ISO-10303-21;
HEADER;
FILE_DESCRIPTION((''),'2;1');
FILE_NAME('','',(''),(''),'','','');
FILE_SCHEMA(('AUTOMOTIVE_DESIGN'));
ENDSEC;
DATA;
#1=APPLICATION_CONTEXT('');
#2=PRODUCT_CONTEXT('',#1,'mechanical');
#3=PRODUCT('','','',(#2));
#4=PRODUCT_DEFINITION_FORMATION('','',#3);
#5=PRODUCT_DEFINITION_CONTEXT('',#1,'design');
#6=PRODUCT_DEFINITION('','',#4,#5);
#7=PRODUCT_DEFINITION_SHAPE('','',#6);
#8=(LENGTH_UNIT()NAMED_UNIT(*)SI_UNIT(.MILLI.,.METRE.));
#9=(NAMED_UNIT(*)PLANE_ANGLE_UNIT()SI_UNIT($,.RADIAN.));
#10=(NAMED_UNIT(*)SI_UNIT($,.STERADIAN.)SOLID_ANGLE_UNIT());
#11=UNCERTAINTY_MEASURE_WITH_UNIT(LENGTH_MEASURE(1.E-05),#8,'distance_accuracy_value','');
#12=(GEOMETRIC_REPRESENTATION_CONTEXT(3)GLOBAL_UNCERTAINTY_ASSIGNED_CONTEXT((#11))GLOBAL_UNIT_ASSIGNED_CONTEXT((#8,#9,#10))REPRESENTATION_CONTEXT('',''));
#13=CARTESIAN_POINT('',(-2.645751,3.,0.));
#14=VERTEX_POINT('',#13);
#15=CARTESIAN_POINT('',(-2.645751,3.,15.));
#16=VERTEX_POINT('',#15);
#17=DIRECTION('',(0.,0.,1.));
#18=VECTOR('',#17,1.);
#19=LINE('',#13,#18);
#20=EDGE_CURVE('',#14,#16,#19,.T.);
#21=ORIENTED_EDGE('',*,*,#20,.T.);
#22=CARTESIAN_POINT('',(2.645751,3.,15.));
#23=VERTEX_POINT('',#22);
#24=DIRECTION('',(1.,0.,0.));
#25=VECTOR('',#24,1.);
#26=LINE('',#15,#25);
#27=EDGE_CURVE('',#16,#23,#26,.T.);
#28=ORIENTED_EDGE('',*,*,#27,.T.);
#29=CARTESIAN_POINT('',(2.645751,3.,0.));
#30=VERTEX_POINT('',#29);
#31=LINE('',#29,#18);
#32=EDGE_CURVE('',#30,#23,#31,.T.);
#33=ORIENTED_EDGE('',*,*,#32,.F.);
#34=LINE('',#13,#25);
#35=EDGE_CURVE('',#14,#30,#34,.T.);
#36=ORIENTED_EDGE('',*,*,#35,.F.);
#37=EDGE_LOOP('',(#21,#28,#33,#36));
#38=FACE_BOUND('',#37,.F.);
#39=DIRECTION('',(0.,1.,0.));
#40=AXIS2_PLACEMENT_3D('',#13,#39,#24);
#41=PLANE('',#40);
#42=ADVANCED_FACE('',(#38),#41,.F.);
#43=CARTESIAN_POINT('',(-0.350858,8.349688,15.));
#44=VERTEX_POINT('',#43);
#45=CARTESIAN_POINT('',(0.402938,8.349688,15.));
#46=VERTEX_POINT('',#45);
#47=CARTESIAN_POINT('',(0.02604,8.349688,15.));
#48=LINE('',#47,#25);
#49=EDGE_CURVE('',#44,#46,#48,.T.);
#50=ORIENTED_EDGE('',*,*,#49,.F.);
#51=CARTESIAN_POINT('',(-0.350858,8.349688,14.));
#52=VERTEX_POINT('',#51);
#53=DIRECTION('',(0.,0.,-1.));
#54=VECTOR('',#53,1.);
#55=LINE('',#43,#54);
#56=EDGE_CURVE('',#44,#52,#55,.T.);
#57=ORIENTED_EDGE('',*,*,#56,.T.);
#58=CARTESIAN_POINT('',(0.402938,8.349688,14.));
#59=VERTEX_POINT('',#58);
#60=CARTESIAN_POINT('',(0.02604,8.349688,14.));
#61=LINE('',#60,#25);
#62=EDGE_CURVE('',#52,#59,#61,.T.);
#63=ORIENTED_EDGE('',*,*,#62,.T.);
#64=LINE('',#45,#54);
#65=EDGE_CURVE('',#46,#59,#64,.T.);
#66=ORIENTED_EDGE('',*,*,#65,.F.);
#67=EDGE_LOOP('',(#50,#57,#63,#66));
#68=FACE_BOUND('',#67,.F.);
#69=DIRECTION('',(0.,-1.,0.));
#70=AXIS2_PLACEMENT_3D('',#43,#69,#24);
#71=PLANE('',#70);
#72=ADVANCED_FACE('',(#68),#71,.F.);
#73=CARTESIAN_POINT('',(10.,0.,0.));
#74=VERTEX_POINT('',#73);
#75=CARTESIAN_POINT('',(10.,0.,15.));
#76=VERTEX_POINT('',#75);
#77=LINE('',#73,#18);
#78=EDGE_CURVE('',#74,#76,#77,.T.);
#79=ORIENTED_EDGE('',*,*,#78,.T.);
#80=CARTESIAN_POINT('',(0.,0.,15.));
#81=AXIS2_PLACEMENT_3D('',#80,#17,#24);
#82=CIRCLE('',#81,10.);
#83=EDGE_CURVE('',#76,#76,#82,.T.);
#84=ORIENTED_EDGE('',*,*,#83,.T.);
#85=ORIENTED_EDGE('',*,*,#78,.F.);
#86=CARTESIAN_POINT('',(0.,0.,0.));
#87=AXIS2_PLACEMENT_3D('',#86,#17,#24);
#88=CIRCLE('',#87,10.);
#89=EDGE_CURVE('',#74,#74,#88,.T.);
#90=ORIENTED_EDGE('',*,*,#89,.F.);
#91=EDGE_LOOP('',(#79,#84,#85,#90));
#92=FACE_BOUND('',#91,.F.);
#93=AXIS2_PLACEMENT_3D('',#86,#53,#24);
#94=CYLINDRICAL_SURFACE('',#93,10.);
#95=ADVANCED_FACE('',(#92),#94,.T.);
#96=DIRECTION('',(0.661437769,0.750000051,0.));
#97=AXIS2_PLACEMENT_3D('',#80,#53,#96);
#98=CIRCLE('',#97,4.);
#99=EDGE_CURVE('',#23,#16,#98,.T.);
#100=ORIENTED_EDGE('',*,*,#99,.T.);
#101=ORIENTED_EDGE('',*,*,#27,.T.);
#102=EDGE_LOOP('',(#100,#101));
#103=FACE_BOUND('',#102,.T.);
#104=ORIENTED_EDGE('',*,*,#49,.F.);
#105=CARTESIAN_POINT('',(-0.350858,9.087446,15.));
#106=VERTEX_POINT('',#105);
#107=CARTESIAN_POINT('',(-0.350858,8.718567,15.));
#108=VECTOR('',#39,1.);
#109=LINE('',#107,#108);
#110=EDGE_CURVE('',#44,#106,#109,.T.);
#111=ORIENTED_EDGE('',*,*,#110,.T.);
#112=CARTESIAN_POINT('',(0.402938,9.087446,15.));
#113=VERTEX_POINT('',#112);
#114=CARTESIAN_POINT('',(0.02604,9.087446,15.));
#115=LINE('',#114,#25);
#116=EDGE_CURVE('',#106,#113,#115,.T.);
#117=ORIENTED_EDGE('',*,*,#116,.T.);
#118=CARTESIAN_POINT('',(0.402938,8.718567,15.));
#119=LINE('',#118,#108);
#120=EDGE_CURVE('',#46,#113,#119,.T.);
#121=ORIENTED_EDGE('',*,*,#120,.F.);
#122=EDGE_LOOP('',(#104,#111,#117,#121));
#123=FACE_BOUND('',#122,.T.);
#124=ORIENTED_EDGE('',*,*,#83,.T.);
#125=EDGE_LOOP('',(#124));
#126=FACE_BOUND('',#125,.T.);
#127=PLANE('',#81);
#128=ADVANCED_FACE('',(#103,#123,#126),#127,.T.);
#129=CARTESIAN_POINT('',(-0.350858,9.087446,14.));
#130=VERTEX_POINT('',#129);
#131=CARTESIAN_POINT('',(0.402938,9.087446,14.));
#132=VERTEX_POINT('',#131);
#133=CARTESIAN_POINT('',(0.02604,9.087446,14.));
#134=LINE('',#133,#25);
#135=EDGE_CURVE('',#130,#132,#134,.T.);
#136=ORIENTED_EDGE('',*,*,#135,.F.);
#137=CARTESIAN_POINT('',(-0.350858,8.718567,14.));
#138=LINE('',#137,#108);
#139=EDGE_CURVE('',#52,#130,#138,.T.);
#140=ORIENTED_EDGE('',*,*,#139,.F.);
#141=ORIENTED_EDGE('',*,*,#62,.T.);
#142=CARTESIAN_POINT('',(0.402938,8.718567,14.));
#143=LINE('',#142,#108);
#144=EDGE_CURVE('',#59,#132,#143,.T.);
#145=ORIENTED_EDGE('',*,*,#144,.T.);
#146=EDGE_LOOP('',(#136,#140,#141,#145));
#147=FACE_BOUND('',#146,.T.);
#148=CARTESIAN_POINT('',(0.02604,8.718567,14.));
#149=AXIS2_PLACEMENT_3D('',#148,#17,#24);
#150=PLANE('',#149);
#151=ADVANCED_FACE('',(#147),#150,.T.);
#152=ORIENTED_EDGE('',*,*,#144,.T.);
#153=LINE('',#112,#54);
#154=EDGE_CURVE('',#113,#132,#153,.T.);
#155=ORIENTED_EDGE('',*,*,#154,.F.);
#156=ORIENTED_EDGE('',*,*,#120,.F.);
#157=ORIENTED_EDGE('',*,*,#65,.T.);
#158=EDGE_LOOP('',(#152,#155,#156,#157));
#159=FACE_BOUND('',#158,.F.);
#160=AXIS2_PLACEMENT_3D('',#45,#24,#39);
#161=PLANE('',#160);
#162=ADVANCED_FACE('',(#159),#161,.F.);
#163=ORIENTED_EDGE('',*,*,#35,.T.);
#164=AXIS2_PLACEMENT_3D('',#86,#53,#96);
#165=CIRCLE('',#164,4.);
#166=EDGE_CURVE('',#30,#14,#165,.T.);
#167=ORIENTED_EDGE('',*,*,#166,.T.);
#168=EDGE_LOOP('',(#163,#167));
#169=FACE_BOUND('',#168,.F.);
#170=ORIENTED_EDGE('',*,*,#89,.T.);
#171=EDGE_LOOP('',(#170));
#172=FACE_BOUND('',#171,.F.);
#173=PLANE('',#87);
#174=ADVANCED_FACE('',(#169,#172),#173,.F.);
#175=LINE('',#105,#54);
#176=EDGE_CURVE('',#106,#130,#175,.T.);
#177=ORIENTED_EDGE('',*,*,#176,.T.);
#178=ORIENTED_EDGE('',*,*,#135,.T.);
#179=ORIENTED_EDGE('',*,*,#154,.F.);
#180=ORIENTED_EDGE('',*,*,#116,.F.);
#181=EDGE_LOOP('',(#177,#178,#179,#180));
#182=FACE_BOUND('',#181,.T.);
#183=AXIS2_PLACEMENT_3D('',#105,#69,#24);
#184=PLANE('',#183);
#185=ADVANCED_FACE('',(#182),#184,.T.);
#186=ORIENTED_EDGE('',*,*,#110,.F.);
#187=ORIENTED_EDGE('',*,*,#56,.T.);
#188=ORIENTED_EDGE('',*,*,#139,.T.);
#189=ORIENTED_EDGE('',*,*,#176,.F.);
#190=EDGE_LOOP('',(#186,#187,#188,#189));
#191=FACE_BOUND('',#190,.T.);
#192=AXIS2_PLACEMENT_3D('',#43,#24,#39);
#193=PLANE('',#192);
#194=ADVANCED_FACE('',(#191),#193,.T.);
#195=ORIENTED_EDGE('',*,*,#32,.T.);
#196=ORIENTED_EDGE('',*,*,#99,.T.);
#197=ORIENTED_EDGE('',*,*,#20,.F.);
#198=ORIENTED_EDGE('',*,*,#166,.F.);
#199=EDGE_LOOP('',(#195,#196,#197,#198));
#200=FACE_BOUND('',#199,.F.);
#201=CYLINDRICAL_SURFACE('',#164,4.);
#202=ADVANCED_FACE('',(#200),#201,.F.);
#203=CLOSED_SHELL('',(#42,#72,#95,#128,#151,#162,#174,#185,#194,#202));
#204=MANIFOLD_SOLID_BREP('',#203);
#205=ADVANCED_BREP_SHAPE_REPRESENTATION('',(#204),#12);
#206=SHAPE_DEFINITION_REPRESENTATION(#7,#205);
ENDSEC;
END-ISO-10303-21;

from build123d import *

# Parameters (mm, degrees)
F0_R     = 10
F1_DEPTH = 15
F2_W     = 0.753796
F2_H     = 0.737758
F3_DEPTH = 1


with BuildPart() as f1:
    # F0 (on Top) → F1 (new body)
    with BuildSketch(Plane.XY):
        Circle(F0_R)
        with BuildLine():
            ThreePointArc((2.645751, 3), (0, -4), (-2.645751, 3))
            Line((-2.645751, 3), (2.645751, 3))
        make_face(mode=Mode.SUBTRACT)
    extrude(amount=F1_DEPTH)

    # F2 (on face) → F3 (cut)
    with BuildSketch(Plane.XY.offset(15)):
        with Locations((0.02604, 8.718567)):
            Rectangle(F2_W, F2_H)
    extrude(amount=-F3_DEPTH, mode=Mode.SUBTRACT)


solid = f1.part
